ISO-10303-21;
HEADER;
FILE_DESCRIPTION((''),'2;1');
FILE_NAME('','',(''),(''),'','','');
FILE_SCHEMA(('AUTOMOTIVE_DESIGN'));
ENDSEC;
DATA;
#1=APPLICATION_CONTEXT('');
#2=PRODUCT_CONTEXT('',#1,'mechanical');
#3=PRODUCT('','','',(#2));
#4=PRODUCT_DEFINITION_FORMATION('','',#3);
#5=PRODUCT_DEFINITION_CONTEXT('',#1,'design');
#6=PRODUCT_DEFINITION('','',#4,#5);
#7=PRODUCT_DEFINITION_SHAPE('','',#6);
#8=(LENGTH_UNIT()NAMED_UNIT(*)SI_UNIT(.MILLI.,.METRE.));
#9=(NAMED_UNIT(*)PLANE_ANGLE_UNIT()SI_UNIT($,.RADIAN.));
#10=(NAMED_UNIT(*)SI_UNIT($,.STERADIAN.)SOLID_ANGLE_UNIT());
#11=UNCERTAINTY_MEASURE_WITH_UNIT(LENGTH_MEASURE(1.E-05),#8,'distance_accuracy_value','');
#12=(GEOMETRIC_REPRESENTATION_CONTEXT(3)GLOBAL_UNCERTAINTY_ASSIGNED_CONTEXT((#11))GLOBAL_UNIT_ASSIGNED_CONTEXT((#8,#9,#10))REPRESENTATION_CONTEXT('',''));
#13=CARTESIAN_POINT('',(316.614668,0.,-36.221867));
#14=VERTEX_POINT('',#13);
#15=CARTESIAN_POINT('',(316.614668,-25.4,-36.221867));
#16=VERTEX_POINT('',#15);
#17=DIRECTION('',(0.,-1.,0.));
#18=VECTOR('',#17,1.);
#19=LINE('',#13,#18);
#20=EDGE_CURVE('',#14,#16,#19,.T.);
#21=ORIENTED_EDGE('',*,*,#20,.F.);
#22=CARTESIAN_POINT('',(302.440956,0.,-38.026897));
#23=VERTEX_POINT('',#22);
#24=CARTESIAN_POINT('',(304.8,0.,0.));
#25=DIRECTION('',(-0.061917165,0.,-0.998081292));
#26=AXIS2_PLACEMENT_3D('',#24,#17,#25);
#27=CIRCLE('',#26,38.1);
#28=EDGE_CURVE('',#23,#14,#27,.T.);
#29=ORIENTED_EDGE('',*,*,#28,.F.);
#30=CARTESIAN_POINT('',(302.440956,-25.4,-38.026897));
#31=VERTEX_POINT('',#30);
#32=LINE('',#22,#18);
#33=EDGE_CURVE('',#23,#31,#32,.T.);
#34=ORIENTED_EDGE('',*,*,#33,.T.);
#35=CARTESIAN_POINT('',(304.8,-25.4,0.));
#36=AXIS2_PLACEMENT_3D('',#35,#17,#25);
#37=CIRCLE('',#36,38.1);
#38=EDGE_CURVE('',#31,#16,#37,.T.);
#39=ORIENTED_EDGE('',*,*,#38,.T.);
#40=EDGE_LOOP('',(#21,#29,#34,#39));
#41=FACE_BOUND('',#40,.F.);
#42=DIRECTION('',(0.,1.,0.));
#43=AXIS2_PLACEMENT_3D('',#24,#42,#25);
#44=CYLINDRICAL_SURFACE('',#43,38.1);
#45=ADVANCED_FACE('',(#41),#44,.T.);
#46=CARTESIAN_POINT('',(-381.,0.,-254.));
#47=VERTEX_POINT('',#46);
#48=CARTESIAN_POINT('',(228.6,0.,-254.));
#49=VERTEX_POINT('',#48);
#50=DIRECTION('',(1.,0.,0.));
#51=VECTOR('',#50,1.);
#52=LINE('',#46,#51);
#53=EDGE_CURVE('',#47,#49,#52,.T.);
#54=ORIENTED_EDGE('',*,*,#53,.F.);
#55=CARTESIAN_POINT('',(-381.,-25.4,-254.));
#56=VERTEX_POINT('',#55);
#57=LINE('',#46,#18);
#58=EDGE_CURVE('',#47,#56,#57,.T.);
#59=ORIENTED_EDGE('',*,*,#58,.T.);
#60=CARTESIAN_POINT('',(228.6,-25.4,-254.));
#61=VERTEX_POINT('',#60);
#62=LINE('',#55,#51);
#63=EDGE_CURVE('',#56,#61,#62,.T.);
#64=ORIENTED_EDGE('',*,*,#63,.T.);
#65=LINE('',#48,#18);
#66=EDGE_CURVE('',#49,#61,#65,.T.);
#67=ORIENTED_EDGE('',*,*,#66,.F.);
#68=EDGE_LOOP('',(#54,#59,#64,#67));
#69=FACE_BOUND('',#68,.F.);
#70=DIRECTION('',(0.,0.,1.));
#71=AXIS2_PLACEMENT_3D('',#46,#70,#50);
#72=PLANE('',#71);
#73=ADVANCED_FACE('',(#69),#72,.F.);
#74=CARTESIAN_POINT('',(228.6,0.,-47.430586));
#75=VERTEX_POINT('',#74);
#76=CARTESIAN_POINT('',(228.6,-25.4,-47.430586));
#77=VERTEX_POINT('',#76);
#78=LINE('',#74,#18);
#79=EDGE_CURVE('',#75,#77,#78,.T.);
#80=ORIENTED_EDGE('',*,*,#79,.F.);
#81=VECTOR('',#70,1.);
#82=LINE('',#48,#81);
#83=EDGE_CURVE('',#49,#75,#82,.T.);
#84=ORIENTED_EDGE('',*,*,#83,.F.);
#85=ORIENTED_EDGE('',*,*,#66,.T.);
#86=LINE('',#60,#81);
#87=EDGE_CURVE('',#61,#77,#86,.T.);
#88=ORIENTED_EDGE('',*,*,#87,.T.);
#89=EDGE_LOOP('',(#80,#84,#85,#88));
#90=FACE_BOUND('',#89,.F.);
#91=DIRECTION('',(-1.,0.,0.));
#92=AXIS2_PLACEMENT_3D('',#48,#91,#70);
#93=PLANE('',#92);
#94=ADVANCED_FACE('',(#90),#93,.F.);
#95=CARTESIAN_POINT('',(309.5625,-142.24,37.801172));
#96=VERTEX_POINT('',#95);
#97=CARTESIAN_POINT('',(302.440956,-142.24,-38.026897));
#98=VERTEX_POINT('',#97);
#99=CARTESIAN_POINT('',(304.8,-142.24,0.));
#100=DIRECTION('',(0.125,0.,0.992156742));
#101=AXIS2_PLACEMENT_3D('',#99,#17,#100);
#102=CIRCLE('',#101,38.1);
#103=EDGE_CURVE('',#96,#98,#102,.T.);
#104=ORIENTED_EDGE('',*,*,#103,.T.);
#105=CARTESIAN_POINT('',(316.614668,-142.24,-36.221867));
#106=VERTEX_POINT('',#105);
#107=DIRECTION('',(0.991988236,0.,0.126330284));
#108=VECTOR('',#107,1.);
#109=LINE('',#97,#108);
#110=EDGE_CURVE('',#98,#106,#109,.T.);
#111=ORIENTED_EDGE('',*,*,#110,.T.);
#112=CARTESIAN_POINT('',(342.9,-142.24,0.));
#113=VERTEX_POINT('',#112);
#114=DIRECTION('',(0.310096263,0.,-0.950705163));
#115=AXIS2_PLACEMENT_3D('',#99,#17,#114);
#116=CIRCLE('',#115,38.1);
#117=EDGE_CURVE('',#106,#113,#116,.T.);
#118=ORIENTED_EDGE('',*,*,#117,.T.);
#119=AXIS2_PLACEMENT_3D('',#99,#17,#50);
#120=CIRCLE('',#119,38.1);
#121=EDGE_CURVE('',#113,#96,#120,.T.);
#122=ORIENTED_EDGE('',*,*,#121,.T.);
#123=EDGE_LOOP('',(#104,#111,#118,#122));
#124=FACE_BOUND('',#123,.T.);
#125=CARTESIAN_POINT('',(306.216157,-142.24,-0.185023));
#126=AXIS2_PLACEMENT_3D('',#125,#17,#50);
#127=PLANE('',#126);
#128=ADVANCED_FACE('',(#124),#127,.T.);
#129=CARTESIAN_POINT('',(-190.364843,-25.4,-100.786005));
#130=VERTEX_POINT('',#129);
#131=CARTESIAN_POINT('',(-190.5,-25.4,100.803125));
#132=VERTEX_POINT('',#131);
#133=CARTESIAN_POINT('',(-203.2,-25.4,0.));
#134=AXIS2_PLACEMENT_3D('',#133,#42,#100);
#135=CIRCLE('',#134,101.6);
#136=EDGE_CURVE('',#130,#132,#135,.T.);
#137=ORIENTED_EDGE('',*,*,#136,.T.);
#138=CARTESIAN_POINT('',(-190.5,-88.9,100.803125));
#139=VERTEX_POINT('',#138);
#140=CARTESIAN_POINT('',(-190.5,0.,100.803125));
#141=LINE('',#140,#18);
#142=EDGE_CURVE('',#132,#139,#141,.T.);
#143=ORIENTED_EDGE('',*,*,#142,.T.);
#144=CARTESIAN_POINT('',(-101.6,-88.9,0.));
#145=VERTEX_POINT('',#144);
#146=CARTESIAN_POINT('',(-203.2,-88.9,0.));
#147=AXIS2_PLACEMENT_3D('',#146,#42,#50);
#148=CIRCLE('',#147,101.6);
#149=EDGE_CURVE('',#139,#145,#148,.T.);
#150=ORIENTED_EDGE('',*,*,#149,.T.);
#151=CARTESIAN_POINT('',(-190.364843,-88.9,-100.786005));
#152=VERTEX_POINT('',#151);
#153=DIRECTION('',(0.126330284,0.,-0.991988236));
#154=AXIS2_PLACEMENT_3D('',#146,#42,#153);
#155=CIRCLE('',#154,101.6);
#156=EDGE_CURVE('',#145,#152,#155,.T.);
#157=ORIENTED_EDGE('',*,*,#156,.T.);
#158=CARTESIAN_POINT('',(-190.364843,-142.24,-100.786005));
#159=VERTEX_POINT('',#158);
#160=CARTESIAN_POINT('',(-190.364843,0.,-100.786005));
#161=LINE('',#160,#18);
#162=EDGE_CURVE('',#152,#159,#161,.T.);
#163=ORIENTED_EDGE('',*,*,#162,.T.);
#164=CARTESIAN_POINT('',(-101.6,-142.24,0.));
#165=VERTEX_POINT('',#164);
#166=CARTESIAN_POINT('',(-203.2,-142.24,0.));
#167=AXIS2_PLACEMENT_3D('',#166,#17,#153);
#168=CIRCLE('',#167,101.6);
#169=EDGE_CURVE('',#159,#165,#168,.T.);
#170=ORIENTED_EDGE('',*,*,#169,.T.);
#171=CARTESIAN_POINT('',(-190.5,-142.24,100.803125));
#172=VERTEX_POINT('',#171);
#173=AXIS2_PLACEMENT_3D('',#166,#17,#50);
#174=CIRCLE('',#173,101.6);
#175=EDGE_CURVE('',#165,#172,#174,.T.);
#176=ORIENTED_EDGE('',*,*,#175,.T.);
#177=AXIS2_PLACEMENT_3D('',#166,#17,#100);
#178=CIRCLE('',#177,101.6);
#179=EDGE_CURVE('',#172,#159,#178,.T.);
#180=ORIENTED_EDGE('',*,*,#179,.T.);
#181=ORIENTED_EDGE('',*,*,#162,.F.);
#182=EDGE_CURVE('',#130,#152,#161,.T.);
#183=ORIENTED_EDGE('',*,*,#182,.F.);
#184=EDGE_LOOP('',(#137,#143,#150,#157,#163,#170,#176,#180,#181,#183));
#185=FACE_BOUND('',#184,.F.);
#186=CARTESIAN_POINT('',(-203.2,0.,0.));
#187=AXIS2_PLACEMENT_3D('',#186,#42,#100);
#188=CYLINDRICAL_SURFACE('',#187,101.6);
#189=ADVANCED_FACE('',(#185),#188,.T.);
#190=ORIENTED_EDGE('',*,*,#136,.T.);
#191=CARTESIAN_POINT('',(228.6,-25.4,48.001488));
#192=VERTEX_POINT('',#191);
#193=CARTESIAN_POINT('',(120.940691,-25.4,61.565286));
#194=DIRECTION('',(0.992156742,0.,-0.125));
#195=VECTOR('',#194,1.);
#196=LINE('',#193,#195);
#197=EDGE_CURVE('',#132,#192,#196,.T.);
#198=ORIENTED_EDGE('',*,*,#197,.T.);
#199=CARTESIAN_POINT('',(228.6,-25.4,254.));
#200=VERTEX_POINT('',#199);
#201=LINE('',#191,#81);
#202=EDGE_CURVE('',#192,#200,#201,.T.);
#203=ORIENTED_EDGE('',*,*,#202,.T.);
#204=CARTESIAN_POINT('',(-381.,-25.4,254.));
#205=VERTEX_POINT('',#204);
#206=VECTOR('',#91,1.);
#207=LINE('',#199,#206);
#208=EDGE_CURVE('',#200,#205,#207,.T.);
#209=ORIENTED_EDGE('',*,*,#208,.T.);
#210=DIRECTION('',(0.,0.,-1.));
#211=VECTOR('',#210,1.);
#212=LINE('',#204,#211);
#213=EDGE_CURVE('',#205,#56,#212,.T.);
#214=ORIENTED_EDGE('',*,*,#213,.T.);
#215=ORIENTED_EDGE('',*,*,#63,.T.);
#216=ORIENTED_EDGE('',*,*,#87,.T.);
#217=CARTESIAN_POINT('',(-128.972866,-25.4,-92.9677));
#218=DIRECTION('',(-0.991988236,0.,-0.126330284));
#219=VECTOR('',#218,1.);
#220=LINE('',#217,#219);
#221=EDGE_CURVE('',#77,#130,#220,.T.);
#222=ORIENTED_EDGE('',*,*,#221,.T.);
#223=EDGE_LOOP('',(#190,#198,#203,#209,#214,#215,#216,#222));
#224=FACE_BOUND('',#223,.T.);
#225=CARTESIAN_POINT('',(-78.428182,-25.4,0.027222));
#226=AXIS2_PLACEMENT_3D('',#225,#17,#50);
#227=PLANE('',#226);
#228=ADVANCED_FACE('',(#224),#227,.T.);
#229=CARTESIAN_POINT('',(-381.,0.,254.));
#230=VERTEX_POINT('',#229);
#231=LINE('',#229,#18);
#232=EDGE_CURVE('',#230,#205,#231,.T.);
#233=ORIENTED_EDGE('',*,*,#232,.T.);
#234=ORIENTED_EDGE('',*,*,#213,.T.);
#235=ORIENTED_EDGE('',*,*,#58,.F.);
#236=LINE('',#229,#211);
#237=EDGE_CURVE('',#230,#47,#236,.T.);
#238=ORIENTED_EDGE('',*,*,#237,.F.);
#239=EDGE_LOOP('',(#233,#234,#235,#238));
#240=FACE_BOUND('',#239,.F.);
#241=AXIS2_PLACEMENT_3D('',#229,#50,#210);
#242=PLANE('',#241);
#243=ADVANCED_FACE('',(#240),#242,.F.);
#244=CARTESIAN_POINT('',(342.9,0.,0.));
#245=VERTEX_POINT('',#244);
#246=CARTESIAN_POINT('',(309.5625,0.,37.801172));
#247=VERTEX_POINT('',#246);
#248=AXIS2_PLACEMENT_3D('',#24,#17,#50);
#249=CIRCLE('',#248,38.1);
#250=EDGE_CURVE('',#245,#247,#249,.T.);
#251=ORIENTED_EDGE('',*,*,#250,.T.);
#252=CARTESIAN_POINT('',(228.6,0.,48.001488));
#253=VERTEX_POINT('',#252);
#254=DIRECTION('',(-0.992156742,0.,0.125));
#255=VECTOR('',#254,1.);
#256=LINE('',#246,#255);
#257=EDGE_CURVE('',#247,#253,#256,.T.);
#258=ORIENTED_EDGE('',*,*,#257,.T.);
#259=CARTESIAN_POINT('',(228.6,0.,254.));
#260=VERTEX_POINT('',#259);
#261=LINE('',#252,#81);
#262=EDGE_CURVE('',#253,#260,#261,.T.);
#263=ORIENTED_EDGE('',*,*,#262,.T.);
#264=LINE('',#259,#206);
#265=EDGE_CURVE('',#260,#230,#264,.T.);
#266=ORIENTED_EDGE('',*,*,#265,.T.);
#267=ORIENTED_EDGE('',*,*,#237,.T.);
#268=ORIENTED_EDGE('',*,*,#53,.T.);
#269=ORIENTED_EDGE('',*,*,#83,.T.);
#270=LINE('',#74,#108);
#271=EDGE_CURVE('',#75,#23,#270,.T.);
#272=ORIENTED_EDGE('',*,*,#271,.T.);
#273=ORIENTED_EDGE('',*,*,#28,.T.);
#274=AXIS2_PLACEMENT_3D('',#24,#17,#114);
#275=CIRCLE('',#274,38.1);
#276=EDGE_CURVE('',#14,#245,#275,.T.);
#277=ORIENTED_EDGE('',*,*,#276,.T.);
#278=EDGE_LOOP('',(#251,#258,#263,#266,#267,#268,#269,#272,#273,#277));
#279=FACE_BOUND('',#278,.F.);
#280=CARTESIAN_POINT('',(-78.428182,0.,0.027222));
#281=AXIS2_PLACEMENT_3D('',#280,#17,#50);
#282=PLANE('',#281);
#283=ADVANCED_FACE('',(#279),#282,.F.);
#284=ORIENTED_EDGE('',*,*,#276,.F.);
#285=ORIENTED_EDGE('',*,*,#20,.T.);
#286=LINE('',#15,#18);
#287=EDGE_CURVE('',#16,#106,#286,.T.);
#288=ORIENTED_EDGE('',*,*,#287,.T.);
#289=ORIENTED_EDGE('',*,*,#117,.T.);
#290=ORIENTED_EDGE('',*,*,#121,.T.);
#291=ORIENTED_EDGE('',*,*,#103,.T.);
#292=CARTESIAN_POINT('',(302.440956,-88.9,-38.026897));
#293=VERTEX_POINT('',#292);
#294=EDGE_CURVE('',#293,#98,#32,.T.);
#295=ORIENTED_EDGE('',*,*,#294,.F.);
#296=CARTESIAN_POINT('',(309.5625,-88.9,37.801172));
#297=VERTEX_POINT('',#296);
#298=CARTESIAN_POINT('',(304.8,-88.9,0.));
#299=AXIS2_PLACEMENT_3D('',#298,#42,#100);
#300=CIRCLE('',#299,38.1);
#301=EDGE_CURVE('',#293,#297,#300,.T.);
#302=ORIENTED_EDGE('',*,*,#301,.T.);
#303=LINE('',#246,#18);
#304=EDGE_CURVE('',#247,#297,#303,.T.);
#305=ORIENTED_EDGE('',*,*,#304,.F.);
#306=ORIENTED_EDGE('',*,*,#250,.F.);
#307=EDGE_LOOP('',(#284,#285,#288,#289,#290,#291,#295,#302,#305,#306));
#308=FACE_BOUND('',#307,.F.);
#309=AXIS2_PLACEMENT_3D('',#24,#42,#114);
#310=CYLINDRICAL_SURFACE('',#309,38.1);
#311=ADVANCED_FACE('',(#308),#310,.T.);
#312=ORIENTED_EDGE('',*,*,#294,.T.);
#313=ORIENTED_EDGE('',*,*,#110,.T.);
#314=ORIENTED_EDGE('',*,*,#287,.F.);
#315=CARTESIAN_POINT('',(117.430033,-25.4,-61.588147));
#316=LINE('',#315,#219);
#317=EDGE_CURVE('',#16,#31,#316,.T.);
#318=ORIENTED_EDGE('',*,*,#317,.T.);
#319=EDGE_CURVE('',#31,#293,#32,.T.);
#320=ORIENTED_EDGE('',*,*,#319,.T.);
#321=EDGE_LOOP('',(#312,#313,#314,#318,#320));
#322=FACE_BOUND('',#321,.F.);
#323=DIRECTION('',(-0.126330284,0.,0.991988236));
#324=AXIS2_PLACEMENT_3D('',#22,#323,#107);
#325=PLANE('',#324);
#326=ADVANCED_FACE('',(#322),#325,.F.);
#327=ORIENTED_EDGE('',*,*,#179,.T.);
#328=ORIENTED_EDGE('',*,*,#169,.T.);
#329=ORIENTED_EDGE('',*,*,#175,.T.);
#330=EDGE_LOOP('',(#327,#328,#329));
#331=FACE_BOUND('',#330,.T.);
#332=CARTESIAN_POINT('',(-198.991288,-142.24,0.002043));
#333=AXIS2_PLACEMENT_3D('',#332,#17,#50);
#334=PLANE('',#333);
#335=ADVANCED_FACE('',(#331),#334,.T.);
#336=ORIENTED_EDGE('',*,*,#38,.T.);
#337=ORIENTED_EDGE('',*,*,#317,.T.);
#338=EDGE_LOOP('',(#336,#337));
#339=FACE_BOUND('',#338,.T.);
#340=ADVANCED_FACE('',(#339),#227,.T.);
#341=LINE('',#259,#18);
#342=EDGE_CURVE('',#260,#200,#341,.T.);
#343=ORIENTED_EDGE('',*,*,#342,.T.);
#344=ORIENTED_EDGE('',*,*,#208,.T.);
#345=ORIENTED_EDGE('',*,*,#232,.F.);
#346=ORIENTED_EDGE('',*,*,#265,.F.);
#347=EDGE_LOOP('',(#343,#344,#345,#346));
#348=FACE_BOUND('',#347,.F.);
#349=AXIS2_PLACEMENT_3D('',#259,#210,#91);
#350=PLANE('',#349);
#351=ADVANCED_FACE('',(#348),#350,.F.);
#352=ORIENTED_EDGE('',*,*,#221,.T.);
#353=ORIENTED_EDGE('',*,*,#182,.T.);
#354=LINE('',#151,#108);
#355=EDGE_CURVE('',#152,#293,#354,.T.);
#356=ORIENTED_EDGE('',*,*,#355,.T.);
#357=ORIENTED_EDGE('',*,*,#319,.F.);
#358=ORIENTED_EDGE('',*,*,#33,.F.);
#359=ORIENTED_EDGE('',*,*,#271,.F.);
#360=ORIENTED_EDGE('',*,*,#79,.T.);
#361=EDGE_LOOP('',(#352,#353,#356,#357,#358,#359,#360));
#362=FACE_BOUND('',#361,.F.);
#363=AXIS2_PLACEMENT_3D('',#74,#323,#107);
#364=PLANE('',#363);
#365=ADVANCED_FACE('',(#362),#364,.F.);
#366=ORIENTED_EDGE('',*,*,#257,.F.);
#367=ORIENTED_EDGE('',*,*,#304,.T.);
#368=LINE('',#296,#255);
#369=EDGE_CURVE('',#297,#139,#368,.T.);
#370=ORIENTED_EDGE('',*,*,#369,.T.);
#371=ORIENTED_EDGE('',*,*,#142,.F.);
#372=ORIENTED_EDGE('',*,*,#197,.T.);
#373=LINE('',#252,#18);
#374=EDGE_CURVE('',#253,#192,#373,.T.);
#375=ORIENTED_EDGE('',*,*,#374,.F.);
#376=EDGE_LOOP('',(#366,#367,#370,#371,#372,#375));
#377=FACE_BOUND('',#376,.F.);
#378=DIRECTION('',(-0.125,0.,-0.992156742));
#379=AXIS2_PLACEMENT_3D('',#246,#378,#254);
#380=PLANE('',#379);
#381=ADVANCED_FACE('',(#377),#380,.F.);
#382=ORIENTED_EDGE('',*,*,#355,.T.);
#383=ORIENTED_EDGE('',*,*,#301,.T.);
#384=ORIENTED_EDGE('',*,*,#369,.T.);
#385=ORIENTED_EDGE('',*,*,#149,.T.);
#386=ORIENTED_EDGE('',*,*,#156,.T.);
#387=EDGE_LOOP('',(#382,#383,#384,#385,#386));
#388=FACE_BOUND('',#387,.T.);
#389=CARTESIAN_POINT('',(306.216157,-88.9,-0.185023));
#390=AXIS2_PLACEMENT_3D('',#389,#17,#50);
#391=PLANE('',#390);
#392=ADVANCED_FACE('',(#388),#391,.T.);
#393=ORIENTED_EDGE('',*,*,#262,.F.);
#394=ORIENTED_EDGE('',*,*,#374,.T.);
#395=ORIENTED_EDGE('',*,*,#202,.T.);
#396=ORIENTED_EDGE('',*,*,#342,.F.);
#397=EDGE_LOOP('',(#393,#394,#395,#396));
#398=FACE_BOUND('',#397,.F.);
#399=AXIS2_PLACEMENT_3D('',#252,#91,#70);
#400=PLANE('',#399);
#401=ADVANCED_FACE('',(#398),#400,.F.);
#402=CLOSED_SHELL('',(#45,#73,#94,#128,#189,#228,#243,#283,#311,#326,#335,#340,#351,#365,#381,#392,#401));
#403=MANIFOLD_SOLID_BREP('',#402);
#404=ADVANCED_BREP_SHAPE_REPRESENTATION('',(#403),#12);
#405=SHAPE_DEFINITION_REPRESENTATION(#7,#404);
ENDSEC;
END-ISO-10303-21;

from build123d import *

# Parameters (mm, degrees)
F1_DEPTH = 25.4
F2_DEPTH = 88.9
F3_DEPTH = 142.24


with BuildPart() as f1:
    # F0 (on Front) → F1 (new body)
    with BuildSketch(Plane.XZ):
        with BuildLine():
            Line((228.6, 254), (-381, 254))
            Line((-381, 254), (-381, -254))
            Line((-381, -254), (228.6, -254))
            Line((228.6, -254), (228.6, -47.4305862601))
            Line((228.6, -47.4305862601), (-190.3648431942, -100.7860047317))
            ThreePointArc((-190.3648431942, -100.7860047317), (-304.7999771648, -0.0681183971), (-190.5, 100.8031249516))
            Line((-190.5, 100.8031249516), (228.6, 48.0014880722))
            Line((228.6, 48.0014880722), (228.6, 254))
        make_face()
        with BuildLine():
            Line((309.5625, 37.8011718568), (228.6, 48.0014880722))
            Line((228.6, 48.0014880722), (228.6, -47.4305862601))
            Line((228.6, -47.4305862601), (302.4409560086, -38.0268972104))
            ThreePointArc((302.4409560086, -38.0268972104), (266.8669251864, 3.5625602015), (309.5625, 37.8011718568))
        make_face()
        with BuildLine():
            Line((228.6, -47.4305862601), (228.6, 48.0014880722))
            Line((228.6, 48.0014880722), (-190.5, 100.8031249516))
            ThreePointArc((-190.5, 100.8031249516), (-127, 67.202083301), (-101.6, 0))
            ThreePointArc((-101.6, 0), (-126.9549610418, -67.1509793991), (-190.3648431942, -100.7860047317))
            Line((-190.3648431942, -100.7860047317), (228.6, -47.4305862601))
        make_face()
        with BuildLine():
            ThreePointArc((342.9, 0), (333.375, 25.2007812379), (309.5625, 37.8011718568))
            ThreePointArc((309.5625, 37.8011718568), (266.8669251864, 3.5625602015), (302.4409560086, -38.0268972104))
            Line((302.4409560086, -38.0268972104), (316.6146676198, -36.2218667249))
            ThreePointArc((316.6146676198, -36.2218667249), (335.6362516879, -22.37712184), (342.9, 0))
        make_face()
        with BuildLine():
            Line((316.6146676198, -36.2218667249), (302.4409560086, -38.0268972104))
            ThreePointArc((302.4409560086, -38.0268972104), (309.6131838022, -37.7947517744), (316.6146676198, -36.2218667249))
        make_face()
        with BuildLine():
            ThreePointArc((-101.6, 0), (-127, 67.202083301), (-190.5, 100.8031249516))
            ThreePointArc((-190.5, 100.8031249516), (-304.7999771648, -0.0681183971), (-190.3648431942, -100.7860047317))
            ThreePointArc((-190.3648431942, -100.7860047317), (-126.9549610418, -67.1509793991), (-101.6, 0))
        make_face()
        with BuildLine():
            Line((228.6, -47.4305862601), (228.6, 48.0014880722))
            Line((228.6, 48.0014880722), (-190.5, 100.8031249516))
            ThreePointArc((-190.5, 100.8031249516), (-127, 67.202083301), (-101.6, 0))
            ThreePointArc((-101.6, 0), (-126.9549610418, -67.1509793991), (-190.3648431942, -100.7860047317))
            Line((-190.3648431942, -100.7860047317), (228.6, -47.4305862601))
        make_face()
        with BuildLine():
            Line((309.5625, 37.8011718568), (228.6, 48.0014880722))
            Line((228.6, 48.0014880722), (228.6, -47.4305862601))
            Line((228.6, -47.4305862601), (302.4409560086, -38.0268972104))
            ThreePointArc((302.4409560086, -38.0268972104), (266.8669251864, 3.5625602015), (309.5625, 37.8011718568))
        make_face()
        with BuildLine():
            ThreePointArc((342.9, 0), (333.375, 25.2007812379), (309.5625, 37.8011718568))
            ThreePointArc((309.5625, 37.8011718568), (266.8669251864, 3.5625602015), (302.4409560086, -38.0268972104))
            Line((302.4409560086, -38.0268972104), (316.6146676198, -36.2218667249))
            ThreePointArc((316.6146676198, -36.2218667249), (335.6362516879, -22.37712184), (342.9, 0))
        make_face()
    extrude(amount=F1_DEPTH)

    # F0 (on Front) → F2 (join)
    with BuildSketch(Plane.XZ):
        with BuildLine():
            ThreePointArc((342.9, 0), (333.375, 25.2007812379), (309.5625, 37.8011718568))
            ThreePointArc((309.5625, 37.8011718568), (266.8669251864, 3.5625602015), (302.4409560086, -38.0268972104))
            Line((302.4409560086, -38.0268972104), (316.6146676198, -36.2218667249))
            ThreePointArc((316.6146676198, -36.2218667249), (335.6362516879, -22.37712184), (342.9, 0))
        make_face()
        with BuildLine():
            ThreePointArc((-101.6, 0), (-127, 67.202083301), (-190.5, 100.8031249516))
            ThreePointArc((-190.5, 100.8031249516), (-304.7999771648, -0.0681183971), (-190.3648431942, -100.7860047317))
            ThreePointArc((-190.3648431942, -100.7860047317), (-126.9549610418, -67.1509793991), (-101.6, 0))
        make_face()
        with BuildLine():
            Line((228.6, -47.4305862601), (228.6, 48.0014880722))
            Line((228.6, 48.0014880722), (-190.5, 100.8031249516))
            ThreePointArc((-190.5, 100.8031249516), (-127, 67.202083301), (-101.6, 0))
            ThreePointArc((-101.6, 0), (-126.9549610418, -67.1509793991), (-190.3648431942, -100.7860047317))
            Line((-190.3648431942, -100.7860047317), (228.6, -47.4305862601))
        make_face()
        with BuildLine():
            Line((309.5625, 37.8011718568), (228.6, 48.0014880722))
            Line((228.6, 48.0014880722), (228.6, -47.4305862601))
            Line((228.6, -47.4305862601), (302.4409560086, -38.0268972104))
            ThreePointArc((302.4409560086, -38.0268972104), (266.8669251864, 3.5625602015), (309.5625, 37.8011718568))
        make_face()
    extrude(amount=F2_DEPTH)

    # F0 (on Front) → F3 (join)
    with BuildSketch(Plane.XZ):
        with BuildLine():
            ThreePointArc((342.9, 0), (333.375, 25.2007812379), (309.5625, 37.8011718568))
            ThreePointArc((309.5625, 37.8011718568), (266.8669251864, 3.5625602015), (302.4409560086, -38.0268972104))
            Line((302.4409560086, -38.0268972104), (316.6146676198, -36.2218667249))
            ThreePointArc((316.6146676198, -36.2218667249), (335.6362516879, -22.37712184), (342.9, 0))
        make_face()
        with BuildLine():
            ThreePointArc((-101.6, 0), (-127, 67.202083301), (-190.5, 100.8031249516))
            ThreePointArc((-190.5, 100.8031249516), (-304.7999771648, -0.0681183971), (-190.3648431942, -100.7860047317))
            ThreePointArc((-190.3648431942, -100.7860047317), (-126.9549610418, -67.1509793991), (-101.6, 0))
        make_face()
    extrude(amount=F3_DEPTH)


solid = f1.part
